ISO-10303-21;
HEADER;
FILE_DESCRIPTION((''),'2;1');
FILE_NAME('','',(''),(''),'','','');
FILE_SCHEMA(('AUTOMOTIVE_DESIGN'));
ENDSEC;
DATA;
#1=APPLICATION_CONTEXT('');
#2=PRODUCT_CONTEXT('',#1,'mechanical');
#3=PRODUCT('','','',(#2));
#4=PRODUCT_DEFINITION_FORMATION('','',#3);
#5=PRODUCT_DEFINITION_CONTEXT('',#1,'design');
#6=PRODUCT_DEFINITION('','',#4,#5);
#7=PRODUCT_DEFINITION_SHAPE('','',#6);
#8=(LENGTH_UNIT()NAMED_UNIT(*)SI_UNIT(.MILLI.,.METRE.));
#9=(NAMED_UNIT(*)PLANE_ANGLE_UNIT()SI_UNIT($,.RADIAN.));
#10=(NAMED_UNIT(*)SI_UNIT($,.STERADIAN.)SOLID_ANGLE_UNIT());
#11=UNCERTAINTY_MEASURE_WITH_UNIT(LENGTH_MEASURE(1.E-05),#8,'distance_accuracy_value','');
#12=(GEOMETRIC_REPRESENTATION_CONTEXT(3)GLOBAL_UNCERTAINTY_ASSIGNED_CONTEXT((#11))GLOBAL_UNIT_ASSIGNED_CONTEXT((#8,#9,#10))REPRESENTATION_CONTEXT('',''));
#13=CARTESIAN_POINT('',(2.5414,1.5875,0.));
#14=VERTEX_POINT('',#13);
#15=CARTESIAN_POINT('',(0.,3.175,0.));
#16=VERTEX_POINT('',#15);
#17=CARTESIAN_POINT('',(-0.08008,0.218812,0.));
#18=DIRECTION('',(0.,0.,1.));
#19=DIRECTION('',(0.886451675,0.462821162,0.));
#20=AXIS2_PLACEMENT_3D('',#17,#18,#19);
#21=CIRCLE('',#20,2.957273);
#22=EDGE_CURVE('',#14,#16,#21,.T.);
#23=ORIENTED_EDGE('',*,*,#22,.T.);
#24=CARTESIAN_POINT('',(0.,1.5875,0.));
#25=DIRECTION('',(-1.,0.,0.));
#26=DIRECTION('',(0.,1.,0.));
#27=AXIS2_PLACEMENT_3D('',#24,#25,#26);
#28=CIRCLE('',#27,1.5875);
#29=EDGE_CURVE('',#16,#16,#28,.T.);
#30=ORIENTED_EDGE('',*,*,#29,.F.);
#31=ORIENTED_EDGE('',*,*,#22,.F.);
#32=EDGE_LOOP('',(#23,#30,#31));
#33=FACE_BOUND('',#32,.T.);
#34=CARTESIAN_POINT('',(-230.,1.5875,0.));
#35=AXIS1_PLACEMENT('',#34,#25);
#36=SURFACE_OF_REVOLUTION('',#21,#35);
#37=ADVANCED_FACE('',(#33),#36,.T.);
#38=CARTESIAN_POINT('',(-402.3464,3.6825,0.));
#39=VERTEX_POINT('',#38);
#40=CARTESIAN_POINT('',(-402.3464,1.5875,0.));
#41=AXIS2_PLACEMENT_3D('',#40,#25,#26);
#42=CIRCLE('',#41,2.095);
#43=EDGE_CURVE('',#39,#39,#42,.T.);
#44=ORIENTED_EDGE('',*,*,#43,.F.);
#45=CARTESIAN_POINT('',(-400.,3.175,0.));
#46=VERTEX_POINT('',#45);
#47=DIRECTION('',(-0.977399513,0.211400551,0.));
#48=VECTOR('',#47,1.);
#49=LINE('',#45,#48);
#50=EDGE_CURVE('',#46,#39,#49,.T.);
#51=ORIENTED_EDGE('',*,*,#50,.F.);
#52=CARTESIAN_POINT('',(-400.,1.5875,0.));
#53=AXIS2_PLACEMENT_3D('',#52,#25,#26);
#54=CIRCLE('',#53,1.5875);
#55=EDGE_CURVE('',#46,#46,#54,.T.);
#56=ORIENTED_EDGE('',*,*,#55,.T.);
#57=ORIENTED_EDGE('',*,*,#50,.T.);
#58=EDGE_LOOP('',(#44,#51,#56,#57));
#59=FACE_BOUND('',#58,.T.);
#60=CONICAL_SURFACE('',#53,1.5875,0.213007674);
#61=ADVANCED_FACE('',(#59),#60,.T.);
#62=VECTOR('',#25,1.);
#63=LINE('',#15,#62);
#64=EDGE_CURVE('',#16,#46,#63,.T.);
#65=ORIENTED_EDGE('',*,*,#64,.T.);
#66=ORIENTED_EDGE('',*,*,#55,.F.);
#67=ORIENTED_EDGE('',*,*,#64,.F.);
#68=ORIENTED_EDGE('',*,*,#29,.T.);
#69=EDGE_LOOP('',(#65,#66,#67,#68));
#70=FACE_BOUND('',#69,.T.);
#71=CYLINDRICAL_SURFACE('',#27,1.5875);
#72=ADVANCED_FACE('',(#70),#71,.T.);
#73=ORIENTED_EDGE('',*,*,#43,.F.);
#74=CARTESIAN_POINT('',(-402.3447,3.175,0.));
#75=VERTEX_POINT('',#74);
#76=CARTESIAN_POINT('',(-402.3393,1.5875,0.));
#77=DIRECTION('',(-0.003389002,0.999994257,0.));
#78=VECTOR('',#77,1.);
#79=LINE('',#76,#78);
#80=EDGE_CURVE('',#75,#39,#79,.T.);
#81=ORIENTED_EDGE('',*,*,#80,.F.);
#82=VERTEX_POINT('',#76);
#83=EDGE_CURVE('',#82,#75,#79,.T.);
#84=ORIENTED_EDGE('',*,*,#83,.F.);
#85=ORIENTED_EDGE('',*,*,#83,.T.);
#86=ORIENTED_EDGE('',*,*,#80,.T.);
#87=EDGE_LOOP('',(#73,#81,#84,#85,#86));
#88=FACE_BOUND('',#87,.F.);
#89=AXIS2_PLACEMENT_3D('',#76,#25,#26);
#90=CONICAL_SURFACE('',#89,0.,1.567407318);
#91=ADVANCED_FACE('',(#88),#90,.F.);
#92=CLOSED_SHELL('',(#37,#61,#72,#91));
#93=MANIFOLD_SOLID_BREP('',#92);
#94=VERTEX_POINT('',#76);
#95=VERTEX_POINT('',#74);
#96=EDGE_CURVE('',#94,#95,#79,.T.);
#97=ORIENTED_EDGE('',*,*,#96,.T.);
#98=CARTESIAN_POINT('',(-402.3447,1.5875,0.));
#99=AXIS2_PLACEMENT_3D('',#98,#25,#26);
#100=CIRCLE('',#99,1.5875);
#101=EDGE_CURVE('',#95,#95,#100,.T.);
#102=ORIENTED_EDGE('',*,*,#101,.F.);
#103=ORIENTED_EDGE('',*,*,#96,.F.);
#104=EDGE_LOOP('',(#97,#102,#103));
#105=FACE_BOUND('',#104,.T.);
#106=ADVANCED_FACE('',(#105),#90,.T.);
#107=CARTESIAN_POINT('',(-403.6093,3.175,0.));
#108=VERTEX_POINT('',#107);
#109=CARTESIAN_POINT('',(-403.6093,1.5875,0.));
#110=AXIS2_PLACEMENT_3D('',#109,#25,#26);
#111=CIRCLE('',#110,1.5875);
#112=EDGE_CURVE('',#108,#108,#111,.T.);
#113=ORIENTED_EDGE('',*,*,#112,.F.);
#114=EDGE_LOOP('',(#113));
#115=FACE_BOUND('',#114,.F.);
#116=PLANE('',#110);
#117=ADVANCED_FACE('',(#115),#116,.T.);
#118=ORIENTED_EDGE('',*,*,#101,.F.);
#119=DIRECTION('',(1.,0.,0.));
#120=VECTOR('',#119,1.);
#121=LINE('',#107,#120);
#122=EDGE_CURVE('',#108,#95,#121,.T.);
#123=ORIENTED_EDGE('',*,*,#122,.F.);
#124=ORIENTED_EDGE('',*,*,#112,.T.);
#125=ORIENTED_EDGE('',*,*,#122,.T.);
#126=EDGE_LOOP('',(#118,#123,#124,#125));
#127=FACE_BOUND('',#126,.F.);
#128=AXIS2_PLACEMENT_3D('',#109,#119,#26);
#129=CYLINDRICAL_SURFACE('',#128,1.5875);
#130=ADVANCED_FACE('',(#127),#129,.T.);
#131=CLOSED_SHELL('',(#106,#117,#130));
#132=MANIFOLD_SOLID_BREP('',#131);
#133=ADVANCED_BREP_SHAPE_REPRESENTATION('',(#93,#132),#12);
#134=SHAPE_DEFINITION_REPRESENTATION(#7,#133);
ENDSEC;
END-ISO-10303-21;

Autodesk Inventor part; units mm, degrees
ref_plane "YZ Plane" through (0, 0, 0) normal (1, 0, 0) x (0, 1, 0)
ref_plane "XZ Plane" through (0, 0, 0) normal (0, 1, 0) x (-1, 0, 0)
ref_plane "XY Plane" through (0, 0, 0) normal (0, 0, 1) x (1, 0, 0)
sketch "Sketch1" plane through (0, 0, 0) normal (0, 0, 1) x (1, 0, 0)
  line L0 (0, 1.5875) -> (0, 3.175)
  line L1 (0, 3.175) -> (0, 1.5875)
  line L2 (0, 1.5875) -> (2.5414, 1.5875)
  arc A0 (2.5414, 1.5875) -> (0, 3.175) centre (-0.0802, 0.2187) ccw
  line L3 (0, 1.5875) -> (-230, 1.5875)
  line L4 (-230, 1.5875) -> (-400, 1.5875)
  line L5 (0, 3.175) -> (-400, 3.175)
  line L6 (-400, 3.175) -> (-400, 1.5875)
  line L7 (-400, 3.175) -> (-402.3464, 3.6825)
  line L8 (-402.3393, 1.5875) -> (-402.3464, 3.6825)
  line L9 (-400, 1.5875) -> (-402.3393, 1.5875)
  line L10 (-402.3393, 1.5875) -> (-403.6093, 1.5875)
  line L11 (-403.6093, 1.5875) -> (-403.6093, 3.175)
  line L12 (-403.6093, 3.175) -> (-402.3447, 3.175)
  point P0 (0, 0)
  dimension "d0" = 3.175
  dimension "d5" = 230
  dimension "d6" = 170
  dimension "d7" = 400
  dimension "d9" = 1.27
  dimension "d11" = 1.5875
revolve "Revolution1" add sketch "Sketch1" angle 360 about axis through (-230, 1.5875, 0) along (-1, 0, 0) contours L3 L4 L6 L5 L0 | L0 A0 L2 | L6 L9 L8 L7
revolve "Revolution2" add sketch "Sketch1" angle 360 about axis through (-402.3393, 1.5875, 0) along (-1, 0, 0) contours L10 L11 L12 L8
properties part number "Tc-2"
